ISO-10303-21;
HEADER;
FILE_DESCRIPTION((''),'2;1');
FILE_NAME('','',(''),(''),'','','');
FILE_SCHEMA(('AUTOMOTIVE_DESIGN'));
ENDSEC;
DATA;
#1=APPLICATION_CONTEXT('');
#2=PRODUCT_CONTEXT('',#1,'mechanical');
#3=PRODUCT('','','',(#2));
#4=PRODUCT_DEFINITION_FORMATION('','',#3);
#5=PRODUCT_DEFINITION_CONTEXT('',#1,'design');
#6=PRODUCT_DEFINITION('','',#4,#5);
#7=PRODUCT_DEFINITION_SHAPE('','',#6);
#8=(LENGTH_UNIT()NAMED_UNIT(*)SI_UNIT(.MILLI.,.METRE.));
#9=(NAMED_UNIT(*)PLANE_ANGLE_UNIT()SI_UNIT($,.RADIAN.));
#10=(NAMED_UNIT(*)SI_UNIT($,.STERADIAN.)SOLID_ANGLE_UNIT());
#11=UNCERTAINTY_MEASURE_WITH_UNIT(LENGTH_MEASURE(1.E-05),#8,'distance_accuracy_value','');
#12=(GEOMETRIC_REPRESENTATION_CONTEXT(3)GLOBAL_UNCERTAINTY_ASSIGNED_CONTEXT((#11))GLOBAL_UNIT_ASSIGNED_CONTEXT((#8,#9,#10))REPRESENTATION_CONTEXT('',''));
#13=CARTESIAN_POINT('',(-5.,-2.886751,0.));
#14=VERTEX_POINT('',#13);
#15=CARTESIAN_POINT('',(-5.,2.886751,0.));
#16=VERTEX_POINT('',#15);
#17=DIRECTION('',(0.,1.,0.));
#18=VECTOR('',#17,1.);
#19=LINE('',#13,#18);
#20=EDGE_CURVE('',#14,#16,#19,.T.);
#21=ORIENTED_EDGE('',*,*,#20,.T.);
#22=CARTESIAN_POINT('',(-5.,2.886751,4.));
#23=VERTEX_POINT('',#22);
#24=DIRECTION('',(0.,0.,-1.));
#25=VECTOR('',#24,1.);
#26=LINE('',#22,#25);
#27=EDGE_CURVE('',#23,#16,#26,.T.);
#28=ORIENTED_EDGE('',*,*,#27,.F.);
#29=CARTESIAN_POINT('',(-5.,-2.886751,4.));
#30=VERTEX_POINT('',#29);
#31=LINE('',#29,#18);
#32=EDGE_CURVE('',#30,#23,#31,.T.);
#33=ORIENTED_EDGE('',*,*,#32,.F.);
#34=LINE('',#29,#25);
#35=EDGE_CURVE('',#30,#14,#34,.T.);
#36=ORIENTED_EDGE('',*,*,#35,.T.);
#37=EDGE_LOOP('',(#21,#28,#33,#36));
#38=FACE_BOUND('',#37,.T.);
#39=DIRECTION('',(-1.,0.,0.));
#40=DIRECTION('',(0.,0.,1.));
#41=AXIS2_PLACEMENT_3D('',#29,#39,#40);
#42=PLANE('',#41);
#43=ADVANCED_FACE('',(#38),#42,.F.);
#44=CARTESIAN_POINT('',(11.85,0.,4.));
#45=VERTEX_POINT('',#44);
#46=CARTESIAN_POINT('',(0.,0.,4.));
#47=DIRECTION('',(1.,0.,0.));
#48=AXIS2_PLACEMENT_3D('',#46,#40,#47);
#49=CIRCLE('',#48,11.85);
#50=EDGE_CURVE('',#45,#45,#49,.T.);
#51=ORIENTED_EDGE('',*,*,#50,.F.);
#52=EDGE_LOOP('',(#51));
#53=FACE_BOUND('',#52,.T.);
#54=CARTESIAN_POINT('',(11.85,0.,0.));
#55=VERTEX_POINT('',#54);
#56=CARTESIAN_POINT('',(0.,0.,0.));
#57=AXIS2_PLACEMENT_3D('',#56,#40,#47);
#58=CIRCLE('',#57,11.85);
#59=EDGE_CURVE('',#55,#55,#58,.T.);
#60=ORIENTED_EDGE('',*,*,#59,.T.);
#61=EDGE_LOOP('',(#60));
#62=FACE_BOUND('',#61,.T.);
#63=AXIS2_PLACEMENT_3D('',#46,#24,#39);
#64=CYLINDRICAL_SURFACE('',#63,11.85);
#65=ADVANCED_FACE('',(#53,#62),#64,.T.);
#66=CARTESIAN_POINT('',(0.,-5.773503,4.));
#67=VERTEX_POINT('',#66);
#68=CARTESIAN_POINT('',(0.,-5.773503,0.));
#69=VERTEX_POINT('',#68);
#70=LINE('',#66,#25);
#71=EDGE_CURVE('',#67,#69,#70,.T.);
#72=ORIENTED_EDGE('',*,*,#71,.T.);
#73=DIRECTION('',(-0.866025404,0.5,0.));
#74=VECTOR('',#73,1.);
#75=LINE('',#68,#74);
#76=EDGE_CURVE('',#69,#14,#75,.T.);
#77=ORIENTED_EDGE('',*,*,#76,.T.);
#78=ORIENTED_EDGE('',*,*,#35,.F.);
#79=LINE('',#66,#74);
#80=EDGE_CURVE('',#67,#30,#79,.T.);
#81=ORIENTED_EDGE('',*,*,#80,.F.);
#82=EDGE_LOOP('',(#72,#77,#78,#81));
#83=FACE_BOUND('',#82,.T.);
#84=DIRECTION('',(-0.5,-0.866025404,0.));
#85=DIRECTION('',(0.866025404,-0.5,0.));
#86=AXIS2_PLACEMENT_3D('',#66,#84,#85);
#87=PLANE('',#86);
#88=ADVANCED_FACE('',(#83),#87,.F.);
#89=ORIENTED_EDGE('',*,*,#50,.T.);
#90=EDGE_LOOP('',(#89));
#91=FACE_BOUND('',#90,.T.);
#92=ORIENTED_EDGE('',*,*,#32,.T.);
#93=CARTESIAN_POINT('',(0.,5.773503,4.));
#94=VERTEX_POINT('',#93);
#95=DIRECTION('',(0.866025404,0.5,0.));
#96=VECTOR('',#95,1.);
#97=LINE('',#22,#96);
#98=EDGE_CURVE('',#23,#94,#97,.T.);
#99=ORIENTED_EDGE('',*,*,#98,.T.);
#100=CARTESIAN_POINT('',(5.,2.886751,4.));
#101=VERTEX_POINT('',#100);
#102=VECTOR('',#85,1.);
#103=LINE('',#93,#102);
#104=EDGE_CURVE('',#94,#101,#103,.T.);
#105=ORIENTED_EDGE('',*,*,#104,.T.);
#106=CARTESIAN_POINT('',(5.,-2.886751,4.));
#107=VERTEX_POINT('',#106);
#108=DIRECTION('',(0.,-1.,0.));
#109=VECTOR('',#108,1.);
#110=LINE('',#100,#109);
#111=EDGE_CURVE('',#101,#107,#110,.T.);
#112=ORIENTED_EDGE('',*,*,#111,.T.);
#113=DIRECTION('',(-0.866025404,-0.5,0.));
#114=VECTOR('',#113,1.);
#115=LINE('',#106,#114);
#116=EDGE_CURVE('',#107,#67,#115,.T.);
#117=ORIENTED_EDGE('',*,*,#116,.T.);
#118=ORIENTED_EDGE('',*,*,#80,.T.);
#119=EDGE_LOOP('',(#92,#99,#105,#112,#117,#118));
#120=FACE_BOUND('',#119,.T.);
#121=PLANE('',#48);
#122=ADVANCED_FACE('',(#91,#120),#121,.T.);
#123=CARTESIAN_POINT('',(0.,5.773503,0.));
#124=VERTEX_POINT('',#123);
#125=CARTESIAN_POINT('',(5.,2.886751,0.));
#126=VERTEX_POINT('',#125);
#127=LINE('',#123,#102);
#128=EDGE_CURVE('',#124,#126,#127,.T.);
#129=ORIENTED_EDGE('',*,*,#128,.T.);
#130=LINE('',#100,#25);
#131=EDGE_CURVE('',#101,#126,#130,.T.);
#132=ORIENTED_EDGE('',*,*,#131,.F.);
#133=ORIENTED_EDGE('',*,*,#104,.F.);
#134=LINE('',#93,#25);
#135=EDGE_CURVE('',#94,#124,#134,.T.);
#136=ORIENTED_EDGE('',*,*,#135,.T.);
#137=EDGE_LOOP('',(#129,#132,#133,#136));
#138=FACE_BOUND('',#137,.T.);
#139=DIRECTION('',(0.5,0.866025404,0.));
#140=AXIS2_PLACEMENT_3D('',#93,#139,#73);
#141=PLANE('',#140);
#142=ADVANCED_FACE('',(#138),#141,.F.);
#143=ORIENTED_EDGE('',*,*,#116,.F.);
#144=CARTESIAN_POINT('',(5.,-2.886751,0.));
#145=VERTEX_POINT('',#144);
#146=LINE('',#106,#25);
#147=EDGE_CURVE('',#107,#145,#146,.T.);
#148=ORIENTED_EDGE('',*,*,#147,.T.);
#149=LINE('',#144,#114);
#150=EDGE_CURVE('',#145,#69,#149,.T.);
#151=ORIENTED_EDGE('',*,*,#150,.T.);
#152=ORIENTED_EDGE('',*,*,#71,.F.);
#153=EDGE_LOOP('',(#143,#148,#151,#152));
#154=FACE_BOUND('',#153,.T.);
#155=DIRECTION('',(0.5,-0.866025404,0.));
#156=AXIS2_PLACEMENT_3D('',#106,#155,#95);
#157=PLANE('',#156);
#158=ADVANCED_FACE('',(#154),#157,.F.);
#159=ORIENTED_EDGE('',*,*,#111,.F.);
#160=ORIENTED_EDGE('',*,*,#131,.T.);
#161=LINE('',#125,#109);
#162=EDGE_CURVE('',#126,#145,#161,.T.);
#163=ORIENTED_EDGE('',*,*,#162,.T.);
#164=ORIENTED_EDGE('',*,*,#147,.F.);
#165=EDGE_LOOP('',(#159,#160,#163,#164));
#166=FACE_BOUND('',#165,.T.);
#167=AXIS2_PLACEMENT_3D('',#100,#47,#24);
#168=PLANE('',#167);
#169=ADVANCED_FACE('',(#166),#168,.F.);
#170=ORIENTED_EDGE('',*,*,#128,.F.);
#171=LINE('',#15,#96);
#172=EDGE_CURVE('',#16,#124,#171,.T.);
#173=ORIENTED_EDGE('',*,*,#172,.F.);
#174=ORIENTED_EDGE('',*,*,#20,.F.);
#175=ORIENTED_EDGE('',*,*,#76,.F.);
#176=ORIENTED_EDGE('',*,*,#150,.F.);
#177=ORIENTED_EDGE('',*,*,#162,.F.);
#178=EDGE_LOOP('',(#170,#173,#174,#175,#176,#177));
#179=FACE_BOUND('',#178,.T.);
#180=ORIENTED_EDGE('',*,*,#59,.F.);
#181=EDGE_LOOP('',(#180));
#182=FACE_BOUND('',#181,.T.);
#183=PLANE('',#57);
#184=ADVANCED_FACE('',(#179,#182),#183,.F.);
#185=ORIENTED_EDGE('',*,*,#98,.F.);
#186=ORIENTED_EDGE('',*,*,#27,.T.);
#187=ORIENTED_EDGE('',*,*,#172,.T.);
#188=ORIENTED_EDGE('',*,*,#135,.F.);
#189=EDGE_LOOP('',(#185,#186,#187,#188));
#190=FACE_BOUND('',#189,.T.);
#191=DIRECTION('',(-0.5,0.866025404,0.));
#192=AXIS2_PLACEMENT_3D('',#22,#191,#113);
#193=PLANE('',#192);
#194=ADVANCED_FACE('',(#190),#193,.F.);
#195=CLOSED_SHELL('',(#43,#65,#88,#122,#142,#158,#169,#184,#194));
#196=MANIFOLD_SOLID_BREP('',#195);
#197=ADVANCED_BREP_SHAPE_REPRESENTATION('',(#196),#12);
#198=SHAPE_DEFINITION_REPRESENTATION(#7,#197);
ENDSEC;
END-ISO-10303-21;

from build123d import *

# Parameters (mm, degrees)
SKETCH1_R           = 11.85
BOSS_EXTRUDE1_DEPTH = 4
CUT_EXTRUDE1_DEPTH  = 5


with BuildPart() as part:
    # Sketch1 → Boss-Extrude1 (new body)
    with BuildSketch(Plane.XY):
        Circle(SKETCH1_R)
    extrude(amount=BOSS_EXTRUDE1_DEPTH)

    # Sketch2 → Cut-Extrude1 (cut, through all)
    with BuildSketch(Plane(origin=(0, 0, 0), x_dir=(-1, 0, 0), z_dir=(0, 0, -1))):
        Polygon((0, 5.773502692), (-5, 2.886751346), (-5, -2.886751346), (0, -5.773502692), (5, -2.886751346), (5, 2.886751346), align=None)
    extrude(amount=-CUT_EXTRUDE1_DEPTH, mode=Mode.SUBTRACT)


solid = part.part
